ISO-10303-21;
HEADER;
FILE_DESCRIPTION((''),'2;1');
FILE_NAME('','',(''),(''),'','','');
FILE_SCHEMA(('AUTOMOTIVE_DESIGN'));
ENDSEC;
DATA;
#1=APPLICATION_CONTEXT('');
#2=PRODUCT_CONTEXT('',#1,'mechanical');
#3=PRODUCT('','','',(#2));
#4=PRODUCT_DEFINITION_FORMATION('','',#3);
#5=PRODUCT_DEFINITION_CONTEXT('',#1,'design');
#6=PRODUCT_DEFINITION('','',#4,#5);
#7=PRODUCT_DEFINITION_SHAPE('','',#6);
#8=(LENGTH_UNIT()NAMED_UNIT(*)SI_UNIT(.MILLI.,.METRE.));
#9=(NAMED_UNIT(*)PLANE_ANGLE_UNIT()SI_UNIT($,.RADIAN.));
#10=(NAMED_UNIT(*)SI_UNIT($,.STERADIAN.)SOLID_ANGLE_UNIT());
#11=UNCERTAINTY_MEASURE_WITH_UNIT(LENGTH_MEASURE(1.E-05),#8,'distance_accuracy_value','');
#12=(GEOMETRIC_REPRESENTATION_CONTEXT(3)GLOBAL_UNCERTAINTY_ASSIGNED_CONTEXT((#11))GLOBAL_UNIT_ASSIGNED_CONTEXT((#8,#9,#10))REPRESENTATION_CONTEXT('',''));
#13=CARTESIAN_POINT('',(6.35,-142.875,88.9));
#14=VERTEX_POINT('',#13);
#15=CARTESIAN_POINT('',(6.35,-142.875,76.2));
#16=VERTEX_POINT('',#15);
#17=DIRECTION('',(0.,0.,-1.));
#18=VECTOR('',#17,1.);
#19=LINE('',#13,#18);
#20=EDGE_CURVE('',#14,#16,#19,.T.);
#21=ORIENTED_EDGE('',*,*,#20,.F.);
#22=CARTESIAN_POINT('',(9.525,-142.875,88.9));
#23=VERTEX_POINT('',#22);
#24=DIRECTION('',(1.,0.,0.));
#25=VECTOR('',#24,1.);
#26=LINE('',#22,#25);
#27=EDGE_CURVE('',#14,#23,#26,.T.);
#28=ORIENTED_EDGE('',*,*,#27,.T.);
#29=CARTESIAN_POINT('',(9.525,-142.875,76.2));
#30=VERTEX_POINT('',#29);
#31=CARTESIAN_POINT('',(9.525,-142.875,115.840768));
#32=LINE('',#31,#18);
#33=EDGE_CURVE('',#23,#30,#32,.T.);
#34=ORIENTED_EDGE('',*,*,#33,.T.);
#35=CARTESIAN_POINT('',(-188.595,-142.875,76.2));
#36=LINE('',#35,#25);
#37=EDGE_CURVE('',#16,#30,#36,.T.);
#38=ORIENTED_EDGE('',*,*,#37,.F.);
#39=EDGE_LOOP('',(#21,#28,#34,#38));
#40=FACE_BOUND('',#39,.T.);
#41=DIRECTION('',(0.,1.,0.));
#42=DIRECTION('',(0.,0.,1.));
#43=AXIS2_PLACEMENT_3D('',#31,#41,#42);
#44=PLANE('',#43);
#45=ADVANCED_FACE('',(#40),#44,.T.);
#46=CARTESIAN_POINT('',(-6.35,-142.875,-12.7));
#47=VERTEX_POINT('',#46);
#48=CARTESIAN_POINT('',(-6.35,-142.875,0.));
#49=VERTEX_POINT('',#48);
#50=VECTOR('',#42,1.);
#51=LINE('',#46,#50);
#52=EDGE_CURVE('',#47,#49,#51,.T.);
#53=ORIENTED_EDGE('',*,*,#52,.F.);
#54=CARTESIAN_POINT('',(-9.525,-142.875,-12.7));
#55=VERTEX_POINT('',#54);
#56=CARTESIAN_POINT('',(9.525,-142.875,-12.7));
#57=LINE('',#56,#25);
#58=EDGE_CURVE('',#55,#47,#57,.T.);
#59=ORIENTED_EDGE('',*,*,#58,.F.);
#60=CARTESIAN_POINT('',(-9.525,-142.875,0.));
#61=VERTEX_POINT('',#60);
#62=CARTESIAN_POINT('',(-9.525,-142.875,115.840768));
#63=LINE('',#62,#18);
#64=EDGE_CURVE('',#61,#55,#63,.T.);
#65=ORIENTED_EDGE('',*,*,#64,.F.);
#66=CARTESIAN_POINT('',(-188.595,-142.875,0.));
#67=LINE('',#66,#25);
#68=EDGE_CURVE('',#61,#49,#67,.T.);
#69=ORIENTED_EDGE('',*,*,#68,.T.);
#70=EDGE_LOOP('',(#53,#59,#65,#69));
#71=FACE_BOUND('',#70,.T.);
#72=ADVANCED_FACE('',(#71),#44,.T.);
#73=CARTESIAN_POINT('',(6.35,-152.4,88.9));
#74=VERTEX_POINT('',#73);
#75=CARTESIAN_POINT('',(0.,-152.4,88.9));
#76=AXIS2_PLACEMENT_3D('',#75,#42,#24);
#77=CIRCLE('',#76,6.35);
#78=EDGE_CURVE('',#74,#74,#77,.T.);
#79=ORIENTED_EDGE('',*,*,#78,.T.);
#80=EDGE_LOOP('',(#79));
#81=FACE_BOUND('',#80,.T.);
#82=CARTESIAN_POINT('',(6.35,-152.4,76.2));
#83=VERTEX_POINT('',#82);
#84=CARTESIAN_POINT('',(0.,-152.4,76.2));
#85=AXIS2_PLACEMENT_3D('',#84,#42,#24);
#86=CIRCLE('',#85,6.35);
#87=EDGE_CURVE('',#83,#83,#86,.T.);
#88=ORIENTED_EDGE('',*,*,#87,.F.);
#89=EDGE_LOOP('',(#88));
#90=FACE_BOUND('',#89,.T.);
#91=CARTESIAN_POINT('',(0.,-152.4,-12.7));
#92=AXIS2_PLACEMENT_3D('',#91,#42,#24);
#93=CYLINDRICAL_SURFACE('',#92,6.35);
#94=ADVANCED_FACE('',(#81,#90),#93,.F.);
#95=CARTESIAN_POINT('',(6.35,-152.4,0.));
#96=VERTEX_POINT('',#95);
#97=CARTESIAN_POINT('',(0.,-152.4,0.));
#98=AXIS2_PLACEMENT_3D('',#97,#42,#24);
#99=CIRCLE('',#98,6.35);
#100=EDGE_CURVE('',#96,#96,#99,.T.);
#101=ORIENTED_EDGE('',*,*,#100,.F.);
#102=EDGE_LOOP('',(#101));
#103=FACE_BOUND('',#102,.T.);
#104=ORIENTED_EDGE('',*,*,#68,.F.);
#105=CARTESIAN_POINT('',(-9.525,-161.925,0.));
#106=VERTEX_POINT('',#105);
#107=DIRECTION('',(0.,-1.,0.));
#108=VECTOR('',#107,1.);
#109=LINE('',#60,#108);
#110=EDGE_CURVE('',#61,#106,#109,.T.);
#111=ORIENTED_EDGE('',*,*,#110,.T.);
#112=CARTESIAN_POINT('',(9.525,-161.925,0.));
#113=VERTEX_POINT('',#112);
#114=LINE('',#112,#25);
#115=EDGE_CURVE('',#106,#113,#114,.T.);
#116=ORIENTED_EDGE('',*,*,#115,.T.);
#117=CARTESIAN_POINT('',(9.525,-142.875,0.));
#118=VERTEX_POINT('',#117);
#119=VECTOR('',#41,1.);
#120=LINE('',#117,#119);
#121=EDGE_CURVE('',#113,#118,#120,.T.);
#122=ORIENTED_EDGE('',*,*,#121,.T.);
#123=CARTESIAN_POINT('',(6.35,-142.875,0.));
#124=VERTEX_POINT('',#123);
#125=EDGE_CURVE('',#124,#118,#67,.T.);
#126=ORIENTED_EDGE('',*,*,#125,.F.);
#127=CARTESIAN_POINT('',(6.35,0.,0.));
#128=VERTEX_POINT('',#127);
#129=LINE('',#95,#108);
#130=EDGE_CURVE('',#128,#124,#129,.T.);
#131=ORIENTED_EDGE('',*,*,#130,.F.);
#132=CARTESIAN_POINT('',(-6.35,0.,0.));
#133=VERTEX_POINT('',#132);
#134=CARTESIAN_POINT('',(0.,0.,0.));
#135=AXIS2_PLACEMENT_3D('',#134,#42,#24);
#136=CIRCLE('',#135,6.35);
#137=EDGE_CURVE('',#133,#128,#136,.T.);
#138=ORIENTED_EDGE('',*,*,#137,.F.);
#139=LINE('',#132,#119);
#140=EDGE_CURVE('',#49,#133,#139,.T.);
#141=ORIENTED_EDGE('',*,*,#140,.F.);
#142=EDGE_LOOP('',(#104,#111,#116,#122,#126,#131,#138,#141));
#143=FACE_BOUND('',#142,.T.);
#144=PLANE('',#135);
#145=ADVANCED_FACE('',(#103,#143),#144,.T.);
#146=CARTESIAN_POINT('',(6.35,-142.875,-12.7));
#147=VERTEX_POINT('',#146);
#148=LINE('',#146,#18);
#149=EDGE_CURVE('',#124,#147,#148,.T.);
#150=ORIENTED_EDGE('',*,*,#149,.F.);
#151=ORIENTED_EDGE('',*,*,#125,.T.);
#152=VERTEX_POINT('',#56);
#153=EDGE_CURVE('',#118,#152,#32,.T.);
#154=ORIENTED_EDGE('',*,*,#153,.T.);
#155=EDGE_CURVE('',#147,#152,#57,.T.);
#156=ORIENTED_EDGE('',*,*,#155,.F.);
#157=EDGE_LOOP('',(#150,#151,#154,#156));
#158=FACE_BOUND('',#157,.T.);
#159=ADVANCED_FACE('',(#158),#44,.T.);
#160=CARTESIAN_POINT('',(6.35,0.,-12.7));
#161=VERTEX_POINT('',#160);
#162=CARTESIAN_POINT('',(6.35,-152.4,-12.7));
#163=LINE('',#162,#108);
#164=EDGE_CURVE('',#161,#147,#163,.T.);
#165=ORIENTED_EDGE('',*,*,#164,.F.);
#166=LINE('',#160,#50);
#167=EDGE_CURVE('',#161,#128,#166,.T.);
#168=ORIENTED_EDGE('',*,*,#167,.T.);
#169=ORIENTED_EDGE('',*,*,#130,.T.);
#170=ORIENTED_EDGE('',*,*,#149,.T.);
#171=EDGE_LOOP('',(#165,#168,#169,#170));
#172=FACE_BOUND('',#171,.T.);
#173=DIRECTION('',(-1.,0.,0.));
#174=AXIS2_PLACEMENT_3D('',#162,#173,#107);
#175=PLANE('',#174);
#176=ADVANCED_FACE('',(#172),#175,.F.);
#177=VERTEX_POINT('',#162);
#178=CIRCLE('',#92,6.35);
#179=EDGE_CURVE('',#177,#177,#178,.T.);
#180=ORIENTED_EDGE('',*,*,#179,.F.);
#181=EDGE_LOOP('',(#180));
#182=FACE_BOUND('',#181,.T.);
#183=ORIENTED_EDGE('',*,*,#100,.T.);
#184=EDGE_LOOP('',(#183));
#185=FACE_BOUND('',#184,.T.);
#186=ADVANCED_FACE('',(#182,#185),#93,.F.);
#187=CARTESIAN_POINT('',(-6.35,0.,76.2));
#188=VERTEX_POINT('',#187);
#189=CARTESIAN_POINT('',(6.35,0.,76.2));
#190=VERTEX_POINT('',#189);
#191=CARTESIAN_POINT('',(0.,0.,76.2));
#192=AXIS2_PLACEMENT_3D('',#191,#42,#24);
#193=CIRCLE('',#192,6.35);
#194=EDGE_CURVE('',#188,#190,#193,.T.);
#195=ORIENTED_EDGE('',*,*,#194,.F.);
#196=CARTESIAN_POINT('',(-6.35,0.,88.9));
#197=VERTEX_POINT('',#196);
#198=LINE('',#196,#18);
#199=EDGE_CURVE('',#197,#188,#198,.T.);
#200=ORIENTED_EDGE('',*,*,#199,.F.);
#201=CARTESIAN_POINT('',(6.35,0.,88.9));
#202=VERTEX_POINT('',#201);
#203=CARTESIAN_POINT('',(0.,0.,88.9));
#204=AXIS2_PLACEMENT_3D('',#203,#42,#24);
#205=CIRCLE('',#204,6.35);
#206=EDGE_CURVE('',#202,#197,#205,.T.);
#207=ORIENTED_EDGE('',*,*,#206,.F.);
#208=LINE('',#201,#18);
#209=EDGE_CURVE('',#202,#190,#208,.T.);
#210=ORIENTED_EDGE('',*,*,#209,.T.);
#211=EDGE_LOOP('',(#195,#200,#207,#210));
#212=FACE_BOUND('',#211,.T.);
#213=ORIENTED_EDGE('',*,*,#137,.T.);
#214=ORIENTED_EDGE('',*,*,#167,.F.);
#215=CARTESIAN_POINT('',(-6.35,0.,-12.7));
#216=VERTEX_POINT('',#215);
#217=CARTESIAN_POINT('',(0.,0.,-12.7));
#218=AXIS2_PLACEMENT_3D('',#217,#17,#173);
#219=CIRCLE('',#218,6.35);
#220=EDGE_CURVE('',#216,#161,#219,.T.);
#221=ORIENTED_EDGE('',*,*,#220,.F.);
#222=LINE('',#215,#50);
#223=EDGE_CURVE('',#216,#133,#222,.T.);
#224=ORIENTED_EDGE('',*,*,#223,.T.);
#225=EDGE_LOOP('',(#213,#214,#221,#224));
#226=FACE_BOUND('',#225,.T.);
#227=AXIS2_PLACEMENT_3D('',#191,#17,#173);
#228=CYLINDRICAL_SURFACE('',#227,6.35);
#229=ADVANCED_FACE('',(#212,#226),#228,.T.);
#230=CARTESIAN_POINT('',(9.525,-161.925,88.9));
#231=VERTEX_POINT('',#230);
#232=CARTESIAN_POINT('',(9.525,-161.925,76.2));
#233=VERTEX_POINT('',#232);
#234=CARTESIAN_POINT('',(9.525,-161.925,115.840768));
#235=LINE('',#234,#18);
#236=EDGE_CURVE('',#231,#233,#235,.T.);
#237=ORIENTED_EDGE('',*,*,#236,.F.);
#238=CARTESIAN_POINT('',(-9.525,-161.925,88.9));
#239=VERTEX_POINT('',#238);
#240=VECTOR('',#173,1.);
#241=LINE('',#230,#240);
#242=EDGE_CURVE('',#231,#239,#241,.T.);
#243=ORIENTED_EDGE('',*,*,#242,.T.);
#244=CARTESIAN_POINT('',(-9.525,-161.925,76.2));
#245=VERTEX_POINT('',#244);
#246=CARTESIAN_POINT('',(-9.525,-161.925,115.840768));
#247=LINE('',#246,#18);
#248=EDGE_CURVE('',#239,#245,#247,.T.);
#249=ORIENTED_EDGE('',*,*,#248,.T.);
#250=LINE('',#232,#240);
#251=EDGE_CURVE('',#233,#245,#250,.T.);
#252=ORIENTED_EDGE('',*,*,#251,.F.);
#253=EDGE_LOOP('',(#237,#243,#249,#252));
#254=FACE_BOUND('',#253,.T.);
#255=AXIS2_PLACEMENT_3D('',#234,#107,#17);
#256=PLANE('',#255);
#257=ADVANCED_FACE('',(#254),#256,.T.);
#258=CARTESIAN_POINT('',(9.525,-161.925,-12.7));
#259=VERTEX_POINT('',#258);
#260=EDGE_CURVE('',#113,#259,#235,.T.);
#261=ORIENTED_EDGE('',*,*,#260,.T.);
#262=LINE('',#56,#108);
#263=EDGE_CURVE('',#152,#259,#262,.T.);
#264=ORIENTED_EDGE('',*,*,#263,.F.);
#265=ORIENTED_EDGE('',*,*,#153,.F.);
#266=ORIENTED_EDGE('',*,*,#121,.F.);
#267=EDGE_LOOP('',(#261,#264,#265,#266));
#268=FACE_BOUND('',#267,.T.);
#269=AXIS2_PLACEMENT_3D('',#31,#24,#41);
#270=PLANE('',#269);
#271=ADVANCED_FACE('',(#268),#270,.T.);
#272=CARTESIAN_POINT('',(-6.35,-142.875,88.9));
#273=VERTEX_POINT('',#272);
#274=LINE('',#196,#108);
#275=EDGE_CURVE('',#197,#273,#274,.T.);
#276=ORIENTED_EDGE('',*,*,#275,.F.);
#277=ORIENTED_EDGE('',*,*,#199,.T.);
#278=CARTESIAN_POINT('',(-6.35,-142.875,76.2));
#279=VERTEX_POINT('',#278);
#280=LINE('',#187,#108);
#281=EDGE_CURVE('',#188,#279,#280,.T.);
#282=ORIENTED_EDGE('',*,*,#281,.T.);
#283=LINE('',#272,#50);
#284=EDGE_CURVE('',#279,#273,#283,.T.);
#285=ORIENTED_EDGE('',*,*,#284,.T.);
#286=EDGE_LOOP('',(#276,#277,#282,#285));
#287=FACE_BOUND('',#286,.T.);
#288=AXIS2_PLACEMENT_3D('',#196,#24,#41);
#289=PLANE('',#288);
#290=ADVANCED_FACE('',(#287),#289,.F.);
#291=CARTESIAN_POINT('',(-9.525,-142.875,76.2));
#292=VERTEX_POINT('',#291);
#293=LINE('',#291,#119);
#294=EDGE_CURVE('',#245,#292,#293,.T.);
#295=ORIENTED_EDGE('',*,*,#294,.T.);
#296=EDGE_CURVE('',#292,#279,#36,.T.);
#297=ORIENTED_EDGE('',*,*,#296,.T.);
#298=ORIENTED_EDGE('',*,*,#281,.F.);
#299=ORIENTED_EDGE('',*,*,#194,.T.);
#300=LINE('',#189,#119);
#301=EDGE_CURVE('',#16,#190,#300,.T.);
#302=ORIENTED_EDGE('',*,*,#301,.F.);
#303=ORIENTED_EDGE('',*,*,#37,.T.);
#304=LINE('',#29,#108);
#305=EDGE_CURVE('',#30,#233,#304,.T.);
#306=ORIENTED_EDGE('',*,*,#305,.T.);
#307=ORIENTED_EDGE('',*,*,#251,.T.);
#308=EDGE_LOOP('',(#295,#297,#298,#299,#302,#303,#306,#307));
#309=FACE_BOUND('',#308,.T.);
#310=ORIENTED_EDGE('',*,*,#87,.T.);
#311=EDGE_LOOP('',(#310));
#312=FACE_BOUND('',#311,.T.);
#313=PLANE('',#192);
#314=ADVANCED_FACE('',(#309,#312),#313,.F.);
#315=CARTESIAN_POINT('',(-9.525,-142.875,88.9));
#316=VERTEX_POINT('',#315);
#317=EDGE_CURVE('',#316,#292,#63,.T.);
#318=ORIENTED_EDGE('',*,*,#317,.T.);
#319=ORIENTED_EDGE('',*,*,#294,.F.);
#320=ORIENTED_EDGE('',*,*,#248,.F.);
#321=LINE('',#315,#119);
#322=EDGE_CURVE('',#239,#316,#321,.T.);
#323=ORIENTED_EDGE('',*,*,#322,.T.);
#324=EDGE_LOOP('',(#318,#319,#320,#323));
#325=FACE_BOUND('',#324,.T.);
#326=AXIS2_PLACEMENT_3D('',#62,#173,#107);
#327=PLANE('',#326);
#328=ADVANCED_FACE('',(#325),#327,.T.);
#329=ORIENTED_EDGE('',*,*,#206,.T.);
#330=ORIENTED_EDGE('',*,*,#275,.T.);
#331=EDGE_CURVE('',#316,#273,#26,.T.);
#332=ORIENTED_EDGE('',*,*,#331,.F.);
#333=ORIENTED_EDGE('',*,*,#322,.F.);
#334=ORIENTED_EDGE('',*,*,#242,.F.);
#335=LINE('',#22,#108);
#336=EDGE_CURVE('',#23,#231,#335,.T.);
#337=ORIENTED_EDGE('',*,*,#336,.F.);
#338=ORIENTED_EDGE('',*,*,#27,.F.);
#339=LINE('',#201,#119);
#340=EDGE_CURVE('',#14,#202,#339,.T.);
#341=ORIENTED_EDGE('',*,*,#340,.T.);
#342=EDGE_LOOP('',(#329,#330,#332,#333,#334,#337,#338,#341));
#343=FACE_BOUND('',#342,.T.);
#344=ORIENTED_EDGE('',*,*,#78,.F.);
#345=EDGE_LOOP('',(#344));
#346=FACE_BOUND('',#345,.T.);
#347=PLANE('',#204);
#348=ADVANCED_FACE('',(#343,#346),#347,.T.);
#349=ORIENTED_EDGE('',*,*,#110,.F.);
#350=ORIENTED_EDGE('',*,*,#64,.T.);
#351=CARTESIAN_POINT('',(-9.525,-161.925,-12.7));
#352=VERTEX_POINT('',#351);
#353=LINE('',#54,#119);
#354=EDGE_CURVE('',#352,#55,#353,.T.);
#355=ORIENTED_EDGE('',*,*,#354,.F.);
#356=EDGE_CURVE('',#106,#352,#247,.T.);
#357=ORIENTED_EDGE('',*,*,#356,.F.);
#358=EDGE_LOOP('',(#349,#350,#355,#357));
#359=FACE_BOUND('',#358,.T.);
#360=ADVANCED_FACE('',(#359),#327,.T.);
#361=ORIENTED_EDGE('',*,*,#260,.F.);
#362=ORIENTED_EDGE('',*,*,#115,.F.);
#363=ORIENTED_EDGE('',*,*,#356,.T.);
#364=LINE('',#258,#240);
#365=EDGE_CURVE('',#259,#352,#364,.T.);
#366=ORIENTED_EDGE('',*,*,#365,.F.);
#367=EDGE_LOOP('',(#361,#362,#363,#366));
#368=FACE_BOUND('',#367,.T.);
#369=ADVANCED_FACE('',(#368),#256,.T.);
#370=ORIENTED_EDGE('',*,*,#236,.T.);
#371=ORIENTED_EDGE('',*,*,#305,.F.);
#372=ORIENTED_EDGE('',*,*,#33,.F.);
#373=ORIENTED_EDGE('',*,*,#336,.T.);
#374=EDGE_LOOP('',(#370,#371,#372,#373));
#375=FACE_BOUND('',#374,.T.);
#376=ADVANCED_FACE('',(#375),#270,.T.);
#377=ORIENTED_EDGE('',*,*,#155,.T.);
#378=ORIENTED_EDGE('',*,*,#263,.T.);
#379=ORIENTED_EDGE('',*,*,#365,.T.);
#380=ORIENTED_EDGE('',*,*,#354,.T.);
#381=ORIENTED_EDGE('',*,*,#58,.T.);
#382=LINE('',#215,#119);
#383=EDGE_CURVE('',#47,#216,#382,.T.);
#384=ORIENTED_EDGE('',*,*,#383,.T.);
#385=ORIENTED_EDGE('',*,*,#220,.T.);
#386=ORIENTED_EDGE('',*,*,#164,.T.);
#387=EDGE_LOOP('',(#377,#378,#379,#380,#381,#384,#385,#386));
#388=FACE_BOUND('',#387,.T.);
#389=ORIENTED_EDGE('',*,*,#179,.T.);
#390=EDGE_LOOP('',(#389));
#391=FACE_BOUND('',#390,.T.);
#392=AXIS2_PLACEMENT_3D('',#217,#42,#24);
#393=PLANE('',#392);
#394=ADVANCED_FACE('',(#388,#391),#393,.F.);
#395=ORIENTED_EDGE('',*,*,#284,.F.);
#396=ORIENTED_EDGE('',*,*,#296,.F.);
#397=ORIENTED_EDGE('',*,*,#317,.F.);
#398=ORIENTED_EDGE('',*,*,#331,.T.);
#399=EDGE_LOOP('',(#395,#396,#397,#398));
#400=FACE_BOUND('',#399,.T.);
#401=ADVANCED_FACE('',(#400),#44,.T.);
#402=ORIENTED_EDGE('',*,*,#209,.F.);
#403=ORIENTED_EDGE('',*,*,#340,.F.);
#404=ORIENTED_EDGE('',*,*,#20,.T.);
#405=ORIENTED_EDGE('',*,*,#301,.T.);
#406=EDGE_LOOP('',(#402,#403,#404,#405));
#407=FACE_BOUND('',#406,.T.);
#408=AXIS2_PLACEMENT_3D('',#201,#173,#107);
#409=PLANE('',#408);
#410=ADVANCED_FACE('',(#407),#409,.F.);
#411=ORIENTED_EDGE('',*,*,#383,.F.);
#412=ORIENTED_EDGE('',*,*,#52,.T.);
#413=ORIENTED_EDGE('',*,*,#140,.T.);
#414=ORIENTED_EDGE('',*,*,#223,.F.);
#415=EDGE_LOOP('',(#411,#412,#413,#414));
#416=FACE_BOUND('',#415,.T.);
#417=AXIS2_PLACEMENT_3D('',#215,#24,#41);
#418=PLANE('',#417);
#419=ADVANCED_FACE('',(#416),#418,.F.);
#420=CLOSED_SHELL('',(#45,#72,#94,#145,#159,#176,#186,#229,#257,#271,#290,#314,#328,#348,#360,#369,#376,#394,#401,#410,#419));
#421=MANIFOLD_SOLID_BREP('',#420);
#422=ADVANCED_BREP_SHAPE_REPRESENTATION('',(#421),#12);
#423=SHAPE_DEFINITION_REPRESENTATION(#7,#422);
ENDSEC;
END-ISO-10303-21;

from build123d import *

# Parameters (mm, degrees)
SKETCH2_R           = 6.35
BOSS_EXTRUDE1_DEPTH = 76.2
SKETCH3_W           = 12.7
SKETCH3_H           = 152.4
BOSS_EXTRUDE2_DEPTH = 12.7
BOSS_EXTRUDE3_DEPTH = 12.7
SKETCH6_W           = 12.7
SKETCH6_H           = 152.4
BOSS_EXTRUDE4_DEPTH = 12.7
BOSS_EXTRUDE5_DEPTH = 12.7
SKETCH8_W           = 19.05
SKETCH8_H           = 19.05
BOSS_EXTRUDE6_DEPTH = 101.6
SKETCH9_W           = 76.2
SKETCH9_H           = 29.319846112
CUT_EXTRUDE1_DEPTH  = 198.12
CUT_EXTRUDE2_DEPTH  = 102.6


with BuildPart() as part:
    # Sketch2 → Boss-Extrude1 (new body)
    with BuildSketch(Plane.XY):
        Circle(SKETCH2_R)
    extrude(amount=BOSS_EXTRUDE1_DEPTH)

    # Sketch3 → Boss-Extrude2 (add)
    with BuildSketch(Plane.XY.offset(76.2)):
        with Locations((0, -76.2)):
            Rectangle(SKETCH3_W, SKETCH3_H)
    extrude(amount=BOSS_EXTRUDE2_DEPTH)

    # Sketch4 → Boss-Extrude3 (add)
    with BuildSketch(Plane.XY.offset(76.2)):
        with BuildLine():
            Line((-6.35, 0), (6.35, 0))
            ThreePointArc((6.35, 0), (0, 6.35), (-6.35, 0))
        make_face()
    extrude(amount=BOSS_EXTRUDE3_DEPTH)

    # Sketch6 → Boss-Extrude4 (add)
    with BuildSketch(Plane(origin=(0, 0, 0), x_dir=(-1, 0, 0), z_dir=(0, 0, -1))):
        with Locations((0, -76.2)):
            Rectangle(SKETCH6_W, SKETCH6_H)
    extrude(amount=BOSS_EXTRUDE4_DEPTH)

    # Sketch7 → Boss-Extrude5 (add)
    with BuildSketch(Plane(origin=(0, 0, 0), x_dir=(-1, 0, 0), z_dir=(0, 0, -1))):
        with BuildLine():
            Line((-6.35, 0), (6.35, 0))
            ThreePointArc((6.35, 0), (0, 6.35), (-6.35, 0))
        make_face()
    extrude(amount=BOSS_EXTRUDE5_DEPTH)

    # Sketch8 → Boss-Extrude6 (add)
    with BuildSketch(Plane(origin=(0, 0, -12.7), x_dir=(-1, 0, 0), z_dir=(0, 0, -1))):
        with Locations((0, -152.4)):
            Rectangle(SKETCH8_W, SKETCH8_H)
    extrude(amount=-BOSS_EXTRUDE6_DEPTH)

    # Sketch9 → Cut-Extrude1 (cut)
    with BuildSketch(Plane(origin=(9.525, 0, 0), x_dir=(0, 0, -1), z_dir=(1, 0, 0))):
        with Locations((-38.1, -157.534923056)):
            Rectangle(SKETCH9_W, SKETCH9_H)
    extrude(amount=-CUT_EXTRUDE1_DEPTH, mode=Mode.SUBTRACT)

    # Sketch10 → Cut-Extrude2 (cut, through all)
    with BuildSketch(Plane.XY.offset(88.9)):
        with BuildLine():
            ThreePointArc((6.35, -152.4), (0, -146.05), (-6.35, -152.4))
            Line((-6.35, -152.4), (6.35, -152.4))
        make_face()
        with BuildLine():
            Line((6.35, -152.4), (-6.35, -152.4))
            ThreePointArc((-6.35, -152.4), (0, -158.75), (6.35, -152.4))
        make_face()
    extrude(amount=-CUT_EXTRUDE2_DEPTH, mode=Mode.SUBTRACT)


solid = part.part
